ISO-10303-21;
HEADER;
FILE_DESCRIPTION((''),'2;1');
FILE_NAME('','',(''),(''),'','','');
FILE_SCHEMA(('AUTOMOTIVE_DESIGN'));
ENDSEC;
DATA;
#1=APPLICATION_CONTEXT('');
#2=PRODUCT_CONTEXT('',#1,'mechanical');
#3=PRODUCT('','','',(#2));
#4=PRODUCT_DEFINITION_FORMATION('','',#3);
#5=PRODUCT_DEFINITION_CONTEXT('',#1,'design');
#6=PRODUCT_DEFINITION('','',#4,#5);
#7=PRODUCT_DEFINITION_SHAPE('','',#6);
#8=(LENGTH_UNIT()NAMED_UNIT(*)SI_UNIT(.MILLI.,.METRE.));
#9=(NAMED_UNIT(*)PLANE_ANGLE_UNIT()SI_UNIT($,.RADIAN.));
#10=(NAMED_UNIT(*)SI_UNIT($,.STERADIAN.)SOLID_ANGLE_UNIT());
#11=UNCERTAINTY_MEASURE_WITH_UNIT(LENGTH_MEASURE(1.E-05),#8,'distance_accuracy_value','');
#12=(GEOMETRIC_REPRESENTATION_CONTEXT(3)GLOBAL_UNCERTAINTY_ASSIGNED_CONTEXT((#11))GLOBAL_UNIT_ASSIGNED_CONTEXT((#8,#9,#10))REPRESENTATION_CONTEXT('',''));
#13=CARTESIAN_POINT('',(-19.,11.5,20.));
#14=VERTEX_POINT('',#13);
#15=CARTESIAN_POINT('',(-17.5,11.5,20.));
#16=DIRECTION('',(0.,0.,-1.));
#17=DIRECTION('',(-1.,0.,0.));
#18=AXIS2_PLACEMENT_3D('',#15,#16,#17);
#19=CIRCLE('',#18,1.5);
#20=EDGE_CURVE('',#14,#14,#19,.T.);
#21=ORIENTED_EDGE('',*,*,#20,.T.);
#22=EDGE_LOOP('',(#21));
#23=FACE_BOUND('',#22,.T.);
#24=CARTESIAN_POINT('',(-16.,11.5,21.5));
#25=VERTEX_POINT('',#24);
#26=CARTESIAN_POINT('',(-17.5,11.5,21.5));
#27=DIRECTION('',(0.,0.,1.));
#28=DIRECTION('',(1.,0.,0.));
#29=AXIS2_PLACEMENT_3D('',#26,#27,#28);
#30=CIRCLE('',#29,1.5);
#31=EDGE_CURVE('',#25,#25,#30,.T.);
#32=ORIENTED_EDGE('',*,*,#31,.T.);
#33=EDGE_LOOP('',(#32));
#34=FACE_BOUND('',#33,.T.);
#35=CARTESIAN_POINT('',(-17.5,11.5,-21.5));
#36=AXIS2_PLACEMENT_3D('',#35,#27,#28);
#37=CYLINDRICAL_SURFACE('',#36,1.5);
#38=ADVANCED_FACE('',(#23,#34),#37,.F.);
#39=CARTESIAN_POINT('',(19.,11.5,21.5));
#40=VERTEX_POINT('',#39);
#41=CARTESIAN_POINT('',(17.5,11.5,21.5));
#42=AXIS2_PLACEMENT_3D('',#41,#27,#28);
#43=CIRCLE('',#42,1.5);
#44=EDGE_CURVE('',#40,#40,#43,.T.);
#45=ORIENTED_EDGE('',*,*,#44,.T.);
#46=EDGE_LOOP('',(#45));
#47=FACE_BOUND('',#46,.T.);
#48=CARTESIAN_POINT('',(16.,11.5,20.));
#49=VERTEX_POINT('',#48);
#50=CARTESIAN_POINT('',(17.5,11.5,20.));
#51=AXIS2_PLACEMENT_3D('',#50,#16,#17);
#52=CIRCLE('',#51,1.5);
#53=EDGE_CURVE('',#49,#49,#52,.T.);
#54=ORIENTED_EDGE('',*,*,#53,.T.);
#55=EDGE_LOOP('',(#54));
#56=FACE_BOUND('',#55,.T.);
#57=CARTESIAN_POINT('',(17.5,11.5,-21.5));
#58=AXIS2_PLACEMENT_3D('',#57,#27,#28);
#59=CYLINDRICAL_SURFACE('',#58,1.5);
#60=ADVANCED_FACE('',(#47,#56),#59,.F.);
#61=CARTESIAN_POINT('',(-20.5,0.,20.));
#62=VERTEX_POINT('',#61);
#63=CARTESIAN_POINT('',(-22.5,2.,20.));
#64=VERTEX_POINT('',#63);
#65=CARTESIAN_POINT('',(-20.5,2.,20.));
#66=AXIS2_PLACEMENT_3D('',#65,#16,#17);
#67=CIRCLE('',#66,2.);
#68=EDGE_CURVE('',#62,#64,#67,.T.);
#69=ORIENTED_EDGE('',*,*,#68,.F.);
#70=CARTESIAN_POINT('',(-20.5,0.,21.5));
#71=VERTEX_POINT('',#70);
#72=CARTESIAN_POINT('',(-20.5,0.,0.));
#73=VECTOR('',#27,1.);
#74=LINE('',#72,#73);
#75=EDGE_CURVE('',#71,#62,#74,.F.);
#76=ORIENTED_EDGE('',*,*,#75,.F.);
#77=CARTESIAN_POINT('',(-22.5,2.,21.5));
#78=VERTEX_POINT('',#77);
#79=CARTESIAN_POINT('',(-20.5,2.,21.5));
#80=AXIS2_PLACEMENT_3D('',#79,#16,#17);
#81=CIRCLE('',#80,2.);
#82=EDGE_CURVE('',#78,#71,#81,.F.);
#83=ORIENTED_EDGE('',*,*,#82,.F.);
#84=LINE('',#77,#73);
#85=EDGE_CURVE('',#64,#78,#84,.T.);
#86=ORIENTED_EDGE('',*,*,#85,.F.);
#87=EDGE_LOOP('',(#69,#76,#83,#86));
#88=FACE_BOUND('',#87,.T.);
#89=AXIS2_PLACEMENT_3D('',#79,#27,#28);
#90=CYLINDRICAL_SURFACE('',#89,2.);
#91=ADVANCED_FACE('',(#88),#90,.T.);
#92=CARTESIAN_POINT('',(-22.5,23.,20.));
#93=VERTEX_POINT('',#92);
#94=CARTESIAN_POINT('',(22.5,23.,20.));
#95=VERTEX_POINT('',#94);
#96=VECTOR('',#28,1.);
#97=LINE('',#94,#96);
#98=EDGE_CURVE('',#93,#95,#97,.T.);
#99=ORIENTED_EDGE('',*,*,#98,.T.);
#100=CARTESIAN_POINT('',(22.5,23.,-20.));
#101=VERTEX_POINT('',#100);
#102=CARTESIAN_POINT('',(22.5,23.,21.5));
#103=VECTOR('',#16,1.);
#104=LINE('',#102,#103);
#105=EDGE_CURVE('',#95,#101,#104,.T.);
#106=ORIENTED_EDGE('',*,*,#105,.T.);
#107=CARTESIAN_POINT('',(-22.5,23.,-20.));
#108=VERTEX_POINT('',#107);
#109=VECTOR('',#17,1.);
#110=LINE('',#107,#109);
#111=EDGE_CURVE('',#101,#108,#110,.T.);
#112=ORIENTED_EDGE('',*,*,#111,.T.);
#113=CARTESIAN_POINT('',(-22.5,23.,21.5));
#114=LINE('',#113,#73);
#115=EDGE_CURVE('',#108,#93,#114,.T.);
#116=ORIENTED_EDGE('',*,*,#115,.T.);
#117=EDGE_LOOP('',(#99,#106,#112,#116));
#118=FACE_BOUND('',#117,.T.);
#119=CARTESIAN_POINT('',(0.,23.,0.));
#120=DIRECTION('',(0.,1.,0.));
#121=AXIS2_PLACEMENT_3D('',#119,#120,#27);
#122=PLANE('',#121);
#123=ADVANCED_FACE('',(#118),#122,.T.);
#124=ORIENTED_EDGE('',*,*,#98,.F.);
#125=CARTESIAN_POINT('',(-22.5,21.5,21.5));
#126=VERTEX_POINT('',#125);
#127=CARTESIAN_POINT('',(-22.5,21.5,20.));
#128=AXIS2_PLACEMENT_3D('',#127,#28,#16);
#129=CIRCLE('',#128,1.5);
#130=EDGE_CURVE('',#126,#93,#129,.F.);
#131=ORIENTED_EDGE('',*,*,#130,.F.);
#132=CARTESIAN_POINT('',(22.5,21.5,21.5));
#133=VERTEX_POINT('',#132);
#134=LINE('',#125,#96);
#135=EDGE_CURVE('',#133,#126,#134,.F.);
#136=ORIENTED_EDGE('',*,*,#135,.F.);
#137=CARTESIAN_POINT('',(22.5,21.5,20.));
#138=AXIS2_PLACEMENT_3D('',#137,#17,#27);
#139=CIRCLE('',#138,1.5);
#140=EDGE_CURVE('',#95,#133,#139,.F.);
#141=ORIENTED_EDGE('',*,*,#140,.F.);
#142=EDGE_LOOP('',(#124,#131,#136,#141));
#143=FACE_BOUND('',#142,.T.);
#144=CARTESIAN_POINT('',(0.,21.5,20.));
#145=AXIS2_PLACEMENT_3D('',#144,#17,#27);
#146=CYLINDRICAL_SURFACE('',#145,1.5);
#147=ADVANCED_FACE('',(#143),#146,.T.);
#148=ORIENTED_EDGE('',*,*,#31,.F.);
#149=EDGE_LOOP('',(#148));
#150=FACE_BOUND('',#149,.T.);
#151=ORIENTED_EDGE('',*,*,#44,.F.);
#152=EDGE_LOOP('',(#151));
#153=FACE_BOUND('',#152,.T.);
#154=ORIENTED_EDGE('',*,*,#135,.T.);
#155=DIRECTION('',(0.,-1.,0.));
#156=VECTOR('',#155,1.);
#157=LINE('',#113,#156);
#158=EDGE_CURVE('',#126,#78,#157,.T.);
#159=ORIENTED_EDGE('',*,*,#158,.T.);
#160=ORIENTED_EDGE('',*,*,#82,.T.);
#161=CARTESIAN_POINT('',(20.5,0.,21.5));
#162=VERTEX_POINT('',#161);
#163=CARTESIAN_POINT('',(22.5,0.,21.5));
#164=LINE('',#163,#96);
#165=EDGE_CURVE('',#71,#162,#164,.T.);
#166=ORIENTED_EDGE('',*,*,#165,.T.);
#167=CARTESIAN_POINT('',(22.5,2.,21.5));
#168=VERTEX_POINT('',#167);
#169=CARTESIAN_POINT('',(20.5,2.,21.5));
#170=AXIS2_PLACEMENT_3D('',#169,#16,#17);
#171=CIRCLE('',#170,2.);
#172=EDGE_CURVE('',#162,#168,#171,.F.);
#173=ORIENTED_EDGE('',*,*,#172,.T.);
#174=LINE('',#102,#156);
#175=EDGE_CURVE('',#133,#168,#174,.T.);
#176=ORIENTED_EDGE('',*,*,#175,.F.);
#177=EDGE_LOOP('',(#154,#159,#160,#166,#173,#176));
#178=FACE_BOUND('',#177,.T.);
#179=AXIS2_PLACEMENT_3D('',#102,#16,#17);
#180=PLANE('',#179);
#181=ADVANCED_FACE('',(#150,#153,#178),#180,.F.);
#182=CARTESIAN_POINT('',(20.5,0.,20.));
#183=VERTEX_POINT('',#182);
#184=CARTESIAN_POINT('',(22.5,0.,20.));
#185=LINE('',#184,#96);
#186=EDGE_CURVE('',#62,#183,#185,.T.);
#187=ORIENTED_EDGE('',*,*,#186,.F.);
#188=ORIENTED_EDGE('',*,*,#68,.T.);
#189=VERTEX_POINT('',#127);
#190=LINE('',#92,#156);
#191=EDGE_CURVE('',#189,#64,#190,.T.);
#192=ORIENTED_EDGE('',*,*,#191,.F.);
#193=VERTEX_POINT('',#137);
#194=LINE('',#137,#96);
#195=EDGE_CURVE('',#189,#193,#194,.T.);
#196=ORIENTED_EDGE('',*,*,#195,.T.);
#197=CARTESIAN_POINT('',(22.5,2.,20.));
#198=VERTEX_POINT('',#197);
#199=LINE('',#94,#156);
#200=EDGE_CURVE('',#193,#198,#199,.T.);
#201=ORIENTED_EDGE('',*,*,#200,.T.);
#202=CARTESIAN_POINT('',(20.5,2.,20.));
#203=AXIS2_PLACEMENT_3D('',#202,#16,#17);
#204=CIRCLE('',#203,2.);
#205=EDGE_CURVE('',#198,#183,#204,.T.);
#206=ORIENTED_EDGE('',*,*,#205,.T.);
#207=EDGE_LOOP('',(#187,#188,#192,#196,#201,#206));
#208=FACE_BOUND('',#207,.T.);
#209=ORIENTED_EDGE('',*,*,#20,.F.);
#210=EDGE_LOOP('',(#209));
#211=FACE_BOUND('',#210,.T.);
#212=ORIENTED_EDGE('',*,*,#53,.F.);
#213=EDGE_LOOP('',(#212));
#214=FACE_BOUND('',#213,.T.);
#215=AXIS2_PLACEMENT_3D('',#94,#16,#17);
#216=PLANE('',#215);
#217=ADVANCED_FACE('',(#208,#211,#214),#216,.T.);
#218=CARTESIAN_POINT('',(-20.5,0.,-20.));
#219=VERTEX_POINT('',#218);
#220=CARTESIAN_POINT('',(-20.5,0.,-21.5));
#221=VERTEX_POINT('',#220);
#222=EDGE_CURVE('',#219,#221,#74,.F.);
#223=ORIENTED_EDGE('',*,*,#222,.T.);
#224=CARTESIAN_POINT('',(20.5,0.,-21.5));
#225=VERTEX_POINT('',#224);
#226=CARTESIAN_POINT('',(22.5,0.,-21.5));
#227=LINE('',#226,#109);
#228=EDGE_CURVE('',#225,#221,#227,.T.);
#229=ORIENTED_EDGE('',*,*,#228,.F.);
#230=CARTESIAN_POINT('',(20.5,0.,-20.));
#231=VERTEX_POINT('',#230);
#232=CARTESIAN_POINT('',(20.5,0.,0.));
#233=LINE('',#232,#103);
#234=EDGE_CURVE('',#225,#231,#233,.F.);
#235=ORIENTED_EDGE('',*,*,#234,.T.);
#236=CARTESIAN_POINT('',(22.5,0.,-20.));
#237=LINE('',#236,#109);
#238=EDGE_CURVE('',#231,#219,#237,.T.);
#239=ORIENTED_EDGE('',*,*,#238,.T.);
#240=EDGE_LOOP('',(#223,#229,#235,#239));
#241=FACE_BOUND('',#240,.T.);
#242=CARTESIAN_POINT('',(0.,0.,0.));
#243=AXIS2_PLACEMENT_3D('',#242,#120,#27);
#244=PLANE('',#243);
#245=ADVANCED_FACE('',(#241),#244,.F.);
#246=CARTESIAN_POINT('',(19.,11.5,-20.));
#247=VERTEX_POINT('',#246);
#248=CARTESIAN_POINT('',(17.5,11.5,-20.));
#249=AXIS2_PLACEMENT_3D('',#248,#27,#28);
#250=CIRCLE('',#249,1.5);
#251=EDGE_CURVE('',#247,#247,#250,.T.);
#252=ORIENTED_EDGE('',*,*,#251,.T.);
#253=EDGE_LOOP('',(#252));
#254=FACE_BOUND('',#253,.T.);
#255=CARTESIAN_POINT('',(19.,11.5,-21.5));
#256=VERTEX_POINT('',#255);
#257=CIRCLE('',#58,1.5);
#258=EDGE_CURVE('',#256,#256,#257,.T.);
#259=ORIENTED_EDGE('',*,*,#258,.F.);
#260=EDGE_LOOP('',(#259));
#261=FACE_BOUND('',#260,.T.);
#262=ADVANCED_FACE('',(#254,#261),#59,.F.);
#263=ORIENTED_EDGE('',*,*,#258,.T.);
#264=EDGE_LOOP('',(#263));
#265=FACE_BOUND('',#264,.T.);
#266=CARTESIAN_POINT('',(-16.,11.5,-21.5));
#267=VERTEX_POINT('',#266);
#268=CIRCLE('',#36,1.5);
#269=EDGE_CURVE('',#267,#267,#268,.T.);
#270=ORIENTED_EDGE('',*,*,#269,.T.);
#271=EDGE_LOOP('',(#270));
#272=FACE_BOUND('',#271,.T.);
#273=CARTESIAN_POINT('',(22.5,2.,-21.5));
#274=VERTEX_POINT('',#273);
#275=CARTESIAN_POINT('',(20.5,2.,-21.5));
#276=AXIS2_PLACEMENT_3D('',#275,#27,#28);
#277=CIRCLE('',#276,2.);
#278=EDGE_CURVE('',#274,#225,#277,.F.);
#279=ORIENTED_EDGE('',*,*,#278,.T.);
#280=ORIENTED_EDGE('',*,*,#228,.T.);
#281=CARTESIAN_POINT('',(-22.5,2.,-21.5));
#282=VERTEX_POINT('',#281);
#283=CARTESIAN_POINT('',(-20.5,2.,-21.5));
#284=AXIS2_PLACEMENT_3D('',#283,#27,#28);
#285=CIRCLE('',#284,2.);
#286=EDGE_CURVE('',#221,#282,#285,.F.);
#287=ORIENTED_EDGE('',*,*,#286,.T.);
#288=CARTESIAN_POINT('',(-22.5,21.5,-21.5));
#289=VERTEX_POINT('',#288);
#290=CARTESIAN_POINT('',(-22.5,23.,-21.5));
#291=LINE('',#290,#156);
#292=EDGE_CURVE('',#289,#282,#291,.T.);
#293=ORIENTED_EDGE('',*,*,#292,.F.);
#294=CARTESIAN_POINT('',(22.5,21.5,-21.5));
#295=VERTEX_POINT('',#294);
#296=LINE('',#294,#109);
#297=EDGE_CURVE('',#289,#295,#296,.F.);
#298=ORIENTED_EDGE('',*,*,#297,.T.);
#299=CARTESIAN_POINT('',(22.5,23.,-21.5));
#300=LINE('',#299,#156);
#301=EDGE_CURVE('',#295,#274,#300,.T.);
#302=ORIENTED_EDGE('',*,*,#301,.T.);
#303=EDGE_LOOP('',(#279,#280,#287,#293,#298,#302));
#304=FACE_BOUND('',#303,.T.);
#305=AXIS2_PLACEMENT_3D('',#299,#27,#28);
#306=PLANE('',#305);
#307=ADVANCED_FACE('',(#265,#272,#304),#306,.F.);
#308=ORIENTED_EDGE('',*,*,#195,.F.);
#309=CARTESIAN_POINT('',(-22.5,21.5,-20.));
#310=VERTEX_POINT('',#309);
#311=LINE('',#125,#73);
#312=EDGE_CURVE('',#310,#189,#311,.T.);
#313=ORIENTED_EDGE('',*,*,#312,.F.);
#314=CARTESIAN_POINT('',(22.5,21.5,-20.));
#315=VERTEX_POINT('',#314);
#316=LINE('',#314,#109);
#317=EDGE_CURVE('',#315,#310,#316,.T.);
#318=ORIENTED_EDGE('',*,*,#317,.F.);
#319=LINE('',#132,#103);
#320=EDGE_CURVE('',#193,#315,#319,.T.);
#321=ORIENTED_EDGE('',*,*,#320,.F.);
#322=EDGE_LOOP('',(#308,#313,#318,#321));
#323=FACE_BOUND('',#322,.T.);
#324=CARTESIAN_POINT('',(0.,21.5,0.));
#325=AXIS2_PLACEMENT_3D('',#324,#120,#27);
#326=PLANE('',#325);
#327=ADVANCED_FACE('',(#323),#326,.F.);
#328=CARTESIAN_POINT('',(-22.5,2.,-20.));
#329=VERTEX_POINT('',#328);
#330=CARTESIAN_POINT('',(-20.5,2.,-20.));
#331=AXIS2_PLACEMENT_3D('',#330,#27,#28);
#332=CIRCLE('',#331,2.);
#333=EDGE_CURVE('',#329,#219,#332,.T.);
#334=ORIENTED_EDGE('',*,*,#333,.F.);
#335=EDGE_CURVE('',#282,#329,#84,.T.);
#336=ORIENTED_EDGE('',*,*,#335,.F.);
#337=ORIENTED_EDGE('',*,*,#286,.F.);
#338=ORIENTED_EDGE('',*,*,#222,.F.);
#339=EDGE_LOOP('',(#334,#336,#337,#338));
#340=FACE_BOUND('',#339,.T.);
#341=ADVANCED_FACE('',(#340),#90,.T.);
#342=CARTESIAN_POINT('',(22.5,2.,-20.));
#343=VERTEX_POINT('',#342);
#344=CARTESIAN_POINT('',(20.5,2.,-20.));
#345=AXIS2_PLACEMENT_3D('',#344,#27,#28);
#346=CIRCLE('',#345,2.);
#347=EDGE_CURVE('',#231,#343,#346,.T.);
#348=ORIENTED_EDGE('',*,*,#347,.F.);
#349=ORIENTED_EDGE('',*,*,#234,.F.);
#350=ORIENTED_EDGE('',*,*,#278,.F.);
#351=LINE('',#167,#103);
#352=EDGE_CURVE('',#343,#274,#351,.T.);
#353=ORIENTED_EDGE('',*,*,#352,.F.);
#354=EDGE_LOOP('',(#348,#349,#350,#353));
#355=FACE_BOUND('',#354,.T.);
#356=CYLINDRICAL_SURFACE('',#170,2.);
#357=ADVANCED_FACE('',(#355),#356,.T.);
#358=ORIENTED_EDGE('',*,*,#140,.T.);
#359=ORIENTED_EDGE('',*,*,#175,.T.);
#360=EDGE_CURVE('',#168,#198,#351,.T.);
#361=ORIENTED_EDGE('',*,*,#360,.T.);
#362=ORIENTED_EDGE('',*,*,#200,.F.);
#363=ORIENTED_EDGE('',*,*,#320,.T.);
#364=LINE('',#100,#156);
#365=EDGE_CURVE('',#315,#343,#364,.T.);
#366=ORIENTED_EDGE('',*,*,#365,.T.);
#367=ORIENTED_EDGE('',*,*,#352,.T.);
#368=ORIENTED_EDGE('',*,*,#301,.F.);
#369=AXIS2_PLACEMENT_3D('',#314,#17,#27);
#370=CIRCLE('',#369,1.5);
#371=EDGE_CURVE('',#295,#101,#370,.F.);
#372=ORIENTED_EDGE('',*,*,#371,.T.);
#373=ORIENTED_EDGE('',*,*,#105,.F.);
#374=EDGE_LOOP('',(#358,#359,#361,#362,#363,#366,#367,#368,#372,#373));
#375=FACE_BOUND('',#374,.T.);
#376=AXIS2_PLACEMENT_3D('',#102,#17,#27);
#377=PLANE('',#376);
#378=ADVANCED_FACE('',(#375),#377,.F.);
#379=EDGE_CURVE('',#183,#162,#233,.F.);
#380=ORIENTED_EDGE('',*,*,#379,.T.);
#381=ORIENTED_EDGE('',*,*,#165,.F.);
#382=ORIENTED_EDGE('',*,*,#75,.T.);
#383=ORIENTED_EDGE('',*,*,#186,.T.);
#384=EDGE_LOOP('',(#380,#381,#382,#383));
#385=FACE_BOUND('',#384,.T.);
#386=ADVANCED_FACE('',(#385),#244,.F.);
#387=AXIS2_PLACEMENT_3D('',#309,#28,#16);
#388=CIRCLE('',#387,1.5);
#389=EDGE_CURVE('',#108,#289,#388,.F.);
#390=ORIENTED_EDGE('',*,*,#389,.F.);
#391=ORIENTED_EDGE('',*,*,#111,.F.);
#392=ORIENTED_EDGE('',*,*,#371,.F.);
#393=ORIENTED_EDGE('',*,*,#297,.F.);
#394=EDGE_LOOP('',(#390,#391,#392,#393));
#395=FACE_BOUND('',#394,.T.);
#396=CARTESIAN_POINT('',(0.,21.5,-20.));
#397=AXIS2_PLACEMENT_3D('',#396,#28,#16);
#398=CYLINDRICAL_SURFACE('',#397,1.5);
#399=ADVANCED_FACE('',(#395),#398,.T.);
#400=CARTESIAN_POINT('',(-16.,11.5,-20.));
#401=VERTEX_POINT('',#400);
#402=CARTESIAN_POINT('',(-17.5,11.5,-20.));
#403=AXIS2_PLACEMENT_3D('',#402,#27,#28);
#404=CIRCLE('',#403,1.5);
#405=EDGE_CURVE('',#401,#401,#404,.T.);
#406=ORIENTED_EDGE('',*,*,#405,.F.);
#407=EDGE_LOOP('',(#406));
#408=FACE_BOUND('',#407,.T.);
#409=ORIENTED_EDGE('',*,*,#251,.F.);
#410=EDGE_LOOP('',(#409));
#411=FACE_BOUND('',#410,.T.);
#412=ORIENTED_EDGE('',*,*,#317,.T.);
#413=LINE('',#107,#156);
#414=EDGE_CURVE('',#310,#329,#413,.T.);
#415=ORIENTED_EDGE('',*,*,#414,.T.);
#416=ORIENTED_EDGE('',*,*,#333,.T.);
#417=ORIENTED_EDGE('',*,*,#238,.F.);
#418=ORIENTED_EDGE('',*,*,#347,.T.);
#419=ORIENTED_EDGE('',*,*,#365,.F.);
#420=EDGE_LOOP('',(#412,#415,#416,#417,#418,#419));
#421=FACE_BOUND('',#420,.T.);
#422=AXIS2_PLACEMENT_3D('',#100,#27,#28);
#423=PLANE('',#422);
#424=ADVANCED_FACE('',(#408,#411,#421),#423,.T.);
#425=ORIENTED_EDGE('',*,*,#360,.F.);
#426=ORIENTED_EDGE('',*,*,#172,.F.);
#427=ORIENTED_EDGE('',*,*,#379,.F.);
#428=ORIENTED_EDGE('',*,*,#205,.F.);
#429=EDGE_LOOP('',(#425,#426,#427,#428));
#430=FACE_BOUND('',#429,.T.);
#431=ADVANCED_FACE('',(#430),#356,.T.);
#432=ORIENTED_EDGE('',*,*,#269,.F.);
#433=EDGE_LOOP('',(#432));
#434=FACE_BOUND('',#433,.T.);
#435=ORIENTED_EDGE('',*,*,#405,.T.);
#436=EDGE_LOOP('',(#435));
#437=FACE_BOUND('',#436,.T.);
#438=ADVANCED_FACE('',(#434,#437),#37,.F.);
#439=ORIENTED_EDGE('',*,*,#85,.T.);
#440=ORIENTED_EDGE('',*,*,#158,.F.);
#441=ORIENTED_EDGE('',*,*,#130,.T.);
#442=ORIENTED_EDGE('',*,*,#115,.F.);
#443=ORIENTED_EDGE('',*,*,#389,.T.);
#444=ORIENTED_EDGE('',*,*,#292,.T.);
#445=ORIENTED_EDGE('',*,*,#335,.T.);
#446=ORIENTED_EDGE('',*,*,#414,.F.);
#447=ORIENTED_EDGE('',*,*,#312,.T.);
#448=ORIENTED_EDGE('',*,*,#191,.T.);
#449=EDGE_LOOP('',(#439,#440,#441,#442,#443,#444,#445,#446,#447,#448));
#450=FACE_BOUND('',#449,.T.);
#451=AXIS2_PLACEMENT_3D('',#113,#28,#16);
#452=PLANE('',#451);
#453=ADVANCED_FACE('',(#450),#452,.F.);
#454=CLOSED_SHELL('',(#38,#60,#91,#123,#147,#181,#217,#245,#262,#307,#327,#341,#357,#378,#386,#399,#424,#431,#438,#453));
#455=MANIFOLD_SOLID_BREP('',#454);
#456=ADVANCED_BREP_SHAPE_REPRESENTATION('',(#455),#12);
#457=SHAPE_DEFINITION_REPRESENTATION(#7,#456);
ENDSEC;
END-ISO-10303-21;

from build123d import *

# Parameters (mm, degrees)
SKETCH_1_W          = 45
SKETCH_1_H          = 43
EXTRUDE_1_DEPTH     = 23
SHELL_1_T           = -1.5
SKETCH_2_R          = 1.5
CUT_EXTRUDE_1_DEPTH = 54.7052139
FILLET_1_R          = 1.5
FILLET_2_R          = 2


with BuildPart() as part:
    # 草图1 → 凸台-拉伸1 (new body)
    with BuildSketch(Plane(origin=(0, 0, 0), x_dir=(1, 0, 0), z_dir=(0, 1, 0))):
        Rectangle(SKETCH_1_W, SKETCH_1_H)
    extrude(amount=EXTRUDE_1_DEPTH)

    # 抽壳1
    shell_1_openings = [part.faces().sort_by_distance(p)[0] for p in [
        (0, 0, 0),
        (22.5, 11.5, 0),
        (-22.5, 11.5, 0),
    ]]
    offset(amount=SHELL_1_T, openings=shell_1_openings, kind=Kind.INTERSECTION)

    # 草图2 → 切除-拉伸1 (cut, through all)
    with BuildSketch(Plane.XY.offset(21.5)):
        with Locations((-17.5, 11.5)):
            Circle(SKETCH_2_R)
        with Locations((17.5, 11.5)):
            Circle(SKETCH_2_R)
    extrude(amount=-CUT_EXTRUDE_1_DEPTH, mode=Mode.SUBTRACT)

    # 圆角1
    fillet_1_edges = [part.edges().sort_by_distance(p)[0] for p in [
        (0, 23, -21.5),
        (0, 23, 21.5),
    ]]
    fillet(fillet_1_edges, radius=FILLET_1_R)

    # 圆角2
    fillet_2_edges = [part.edges().sort_by_distance(p)[0] for p in [
        (-22.5, 0, 20.75),
        (22.5, 0, -20.75),
        (22.5, 0, 20.75),
        (-22.5, 0, -20.75),
    ]]
    fillet(fillet_2_edges, radius=FILLET_2_R)


solid = part.part
